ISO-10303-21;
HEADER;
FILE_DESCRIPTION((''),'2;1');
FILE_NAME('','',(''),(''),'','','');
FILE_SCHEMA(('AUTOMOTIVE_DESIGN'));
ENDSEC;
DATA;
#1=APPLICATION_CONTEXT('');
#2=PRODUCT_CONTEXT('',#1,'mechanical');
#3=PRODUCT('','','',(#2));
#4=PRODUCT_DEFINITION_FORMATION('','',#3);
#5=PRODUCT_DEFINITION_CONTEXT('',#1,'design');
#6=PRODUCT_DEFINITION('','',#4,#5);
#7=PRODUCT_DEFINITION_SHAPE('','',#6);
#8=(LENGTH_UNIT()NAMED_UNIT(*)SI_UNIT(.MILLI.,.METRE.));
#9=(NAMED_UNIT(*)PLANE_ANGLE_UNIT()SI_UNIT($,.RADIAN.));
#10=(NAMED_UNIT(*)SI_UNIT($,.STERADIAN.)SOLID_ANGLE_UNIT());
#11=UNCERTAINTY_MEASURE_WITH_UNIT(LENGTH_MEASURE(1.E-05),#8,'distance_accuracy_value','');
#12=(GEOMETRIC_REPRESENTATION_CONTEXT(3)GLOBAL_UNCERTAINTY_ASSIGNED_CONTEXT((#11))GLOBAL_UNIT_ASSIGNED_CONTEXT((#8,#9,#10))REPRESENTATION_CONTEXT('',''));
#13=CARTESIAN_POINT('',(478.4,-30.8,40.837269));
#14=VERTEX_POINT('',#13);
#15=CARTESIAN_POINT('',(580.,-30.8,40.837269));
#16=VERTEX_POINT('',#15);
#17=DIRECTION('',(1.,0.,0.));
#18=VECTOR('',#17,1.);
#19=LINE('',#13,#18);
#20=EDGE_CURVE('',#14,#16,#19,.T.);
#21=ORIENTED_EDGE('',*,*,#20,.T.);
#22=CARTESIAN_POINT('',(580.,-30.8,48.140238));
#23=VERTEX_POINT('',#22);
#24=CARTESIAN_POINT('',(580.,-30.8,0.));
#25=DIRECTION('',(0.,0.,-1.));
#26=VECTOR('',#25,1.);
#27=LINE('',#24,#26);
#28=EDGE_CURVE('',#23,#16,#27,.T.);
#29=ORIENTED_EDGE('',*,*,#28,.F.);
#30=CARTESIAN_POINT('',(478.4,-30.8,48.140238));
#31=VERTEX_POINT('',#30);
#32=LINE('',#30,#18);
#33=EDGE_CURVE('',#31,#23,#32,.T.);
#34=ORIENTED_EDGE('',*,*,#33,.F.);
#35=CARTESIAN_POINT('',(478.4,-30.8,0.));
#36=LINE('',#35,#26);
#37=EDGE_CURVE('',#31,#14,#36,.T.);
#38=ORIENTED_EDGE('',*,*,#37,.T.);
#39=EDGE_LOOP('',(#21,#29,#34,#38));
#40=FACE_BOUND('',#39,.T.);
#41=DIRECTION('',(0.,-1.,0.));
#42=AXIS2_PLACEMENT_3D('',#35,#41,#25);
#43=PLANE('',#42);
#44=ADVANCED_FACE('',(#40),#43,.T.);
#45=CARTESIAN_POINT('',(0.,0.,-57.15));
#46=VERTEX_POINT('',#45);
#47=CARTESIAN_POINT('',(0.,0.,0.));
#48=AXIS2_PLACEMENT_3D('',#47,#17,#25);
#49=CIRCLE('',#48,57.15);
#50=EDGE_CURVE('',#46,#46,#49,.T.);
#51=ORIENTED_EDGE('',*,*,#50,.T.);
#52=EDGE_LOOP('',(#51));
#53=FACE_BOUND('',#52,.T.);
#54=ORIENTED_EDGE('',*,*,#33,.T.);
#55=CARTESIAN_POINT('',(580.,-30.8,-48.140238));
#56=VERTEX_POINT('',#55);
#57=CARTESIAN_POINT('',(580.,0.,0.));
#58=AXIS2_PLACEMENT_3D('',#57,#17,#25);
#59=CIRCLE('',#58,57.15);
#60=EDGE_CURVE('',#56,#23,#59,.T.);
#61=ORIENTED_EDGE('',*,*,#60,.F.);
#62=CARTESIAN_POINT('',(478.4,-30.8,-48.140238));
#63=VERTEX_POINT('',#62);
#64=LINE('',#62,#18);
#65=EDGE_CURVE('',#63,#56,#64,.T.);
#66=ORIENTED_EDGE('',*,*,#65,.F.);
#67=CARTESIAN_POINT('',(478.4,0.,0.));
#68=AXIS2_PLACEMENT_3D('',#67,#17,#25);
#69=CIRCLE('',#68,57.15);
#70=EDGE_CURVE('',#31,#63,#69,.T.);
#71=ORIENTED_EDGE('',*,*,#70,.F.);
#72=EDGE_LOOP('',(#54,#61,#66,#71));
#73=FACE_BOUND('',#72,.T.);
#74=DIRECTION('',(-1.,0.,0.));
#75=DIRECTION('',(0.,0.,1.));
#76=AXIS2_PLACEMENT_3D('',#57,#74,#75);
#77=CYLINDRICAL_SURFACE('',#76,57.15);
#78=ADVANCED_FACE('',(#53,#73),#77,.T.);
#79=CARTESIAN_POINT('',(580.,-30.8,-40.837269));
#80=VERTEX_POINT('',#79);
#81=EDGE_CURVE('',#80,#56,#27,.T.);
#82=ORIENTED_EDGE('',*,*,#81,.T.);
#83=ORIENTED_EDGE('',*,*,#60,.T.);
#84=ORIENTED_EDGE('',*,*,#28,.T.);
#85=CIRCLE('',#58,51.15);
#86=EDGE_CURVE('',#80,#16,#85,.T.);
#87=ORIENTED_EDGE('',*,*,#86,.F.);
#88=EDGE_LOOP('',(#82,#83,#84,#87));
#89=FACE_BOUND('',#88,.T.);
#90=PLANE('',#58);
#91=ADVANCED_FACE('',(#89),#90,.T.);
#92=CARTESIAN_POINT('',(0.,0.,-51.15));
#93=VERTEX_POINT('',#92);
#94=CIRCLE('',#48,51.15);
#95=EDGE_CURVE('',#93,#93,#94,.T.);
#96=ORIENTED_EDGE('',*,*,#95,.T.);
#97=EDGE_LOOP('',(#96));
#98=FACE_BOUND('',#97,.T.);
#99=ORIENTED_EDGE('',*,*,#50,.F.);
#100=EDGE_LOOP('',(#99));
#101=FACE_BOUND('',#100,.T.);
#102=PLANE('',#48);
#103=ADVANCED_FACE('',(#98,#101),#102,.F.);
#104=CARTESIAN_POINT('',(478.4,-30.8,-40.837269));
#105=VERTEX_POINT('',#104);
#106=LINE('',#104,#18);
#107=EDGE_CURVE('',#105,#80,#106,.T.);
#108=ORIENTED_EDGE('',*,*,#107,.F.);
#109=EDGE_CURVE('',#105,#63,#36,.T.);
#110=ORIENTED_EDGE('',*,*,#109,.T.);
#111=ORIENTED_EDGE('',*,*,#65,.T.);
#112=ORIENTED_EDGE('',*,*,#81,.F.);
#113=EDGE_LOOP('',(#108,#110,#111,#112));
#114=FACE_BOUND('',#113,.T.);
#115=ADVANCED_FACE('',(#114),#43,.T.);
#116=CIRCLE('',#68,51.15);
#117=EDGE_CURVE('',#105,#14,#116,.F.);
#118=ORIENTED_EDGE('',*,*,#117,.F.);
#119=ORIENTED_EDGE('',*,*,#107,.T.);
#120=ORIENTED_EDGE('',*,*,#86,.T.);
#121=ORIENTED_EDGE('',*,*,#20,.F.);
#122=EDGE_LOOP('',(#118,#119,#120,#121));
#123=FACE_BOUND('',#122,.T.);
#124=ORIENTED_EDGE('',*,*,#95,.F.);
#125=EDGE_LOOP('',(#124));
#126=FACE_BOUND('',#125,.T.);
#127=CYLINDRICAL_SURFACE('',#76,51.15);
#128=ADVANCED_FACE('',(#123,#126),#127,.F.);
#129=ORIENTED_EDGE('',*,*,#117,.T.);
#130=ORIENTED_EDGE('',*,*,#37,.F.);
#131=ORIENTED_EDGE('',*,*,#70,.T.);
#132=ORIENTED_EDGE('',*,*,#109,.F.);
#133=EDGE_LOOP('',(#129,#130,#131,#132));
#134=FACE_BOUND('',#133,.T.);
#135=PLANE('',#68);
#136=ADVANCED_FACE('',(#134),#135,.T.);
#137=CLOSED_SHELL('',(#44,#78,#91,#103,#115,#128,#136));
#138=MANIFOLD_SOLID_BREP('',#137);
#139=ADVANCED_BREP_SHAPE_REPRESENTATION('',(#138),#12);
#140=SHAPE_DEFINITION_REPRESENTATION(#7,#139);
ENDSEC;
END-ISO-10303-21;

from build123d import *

# Parameters (mm, degrees)
CROQUIS1_R              = 57.15
CROQUIS1_R_2            = 51.15
SALIENTE_EXTRUIR1_DEPTH = 580
CORTAR_EXTRUIR1_START   = -101.6
CORTAR_EXTRUIR1_DEPTH   = 101.6


with BuildPart() as part:
    # Croquis1 → Saliente-Extruir1 (new body)
    with BuildSketch(Plane(origin=(0, 0, 0), x_dir=(0, 0, -1), z_dir=(1, 0, 0))):
        Circle(CROQUIS1_R)
        Circle(CROQUIS1_R_2, mode=Mode.SUBTRACT)
    extrude(amount=SALIENTE_EXTRUIR1_DEPTH)

    # Croquis2 → Cortar-Extruir1 (cut)
    with BuildSketch(Plane(origin=(580, 0, 0), x_dir=(0, 0, -1), z_dir=(1, 0, 0)).offset(CORTAR_EXTRUIR1_START)):
        with BuildLine():
            Line((-48.140237847, -30.8), (48.140237847, -30.8))
            ThreePointArc((48.140237847, -30.8), (0, -57.15), (-48.140237847, -30.8))
        make_face()
    extrude(amount=CORTAR_EXTRUIR1_DEPTH, mode=Mode.SUBTRACT)


solid = part.part
